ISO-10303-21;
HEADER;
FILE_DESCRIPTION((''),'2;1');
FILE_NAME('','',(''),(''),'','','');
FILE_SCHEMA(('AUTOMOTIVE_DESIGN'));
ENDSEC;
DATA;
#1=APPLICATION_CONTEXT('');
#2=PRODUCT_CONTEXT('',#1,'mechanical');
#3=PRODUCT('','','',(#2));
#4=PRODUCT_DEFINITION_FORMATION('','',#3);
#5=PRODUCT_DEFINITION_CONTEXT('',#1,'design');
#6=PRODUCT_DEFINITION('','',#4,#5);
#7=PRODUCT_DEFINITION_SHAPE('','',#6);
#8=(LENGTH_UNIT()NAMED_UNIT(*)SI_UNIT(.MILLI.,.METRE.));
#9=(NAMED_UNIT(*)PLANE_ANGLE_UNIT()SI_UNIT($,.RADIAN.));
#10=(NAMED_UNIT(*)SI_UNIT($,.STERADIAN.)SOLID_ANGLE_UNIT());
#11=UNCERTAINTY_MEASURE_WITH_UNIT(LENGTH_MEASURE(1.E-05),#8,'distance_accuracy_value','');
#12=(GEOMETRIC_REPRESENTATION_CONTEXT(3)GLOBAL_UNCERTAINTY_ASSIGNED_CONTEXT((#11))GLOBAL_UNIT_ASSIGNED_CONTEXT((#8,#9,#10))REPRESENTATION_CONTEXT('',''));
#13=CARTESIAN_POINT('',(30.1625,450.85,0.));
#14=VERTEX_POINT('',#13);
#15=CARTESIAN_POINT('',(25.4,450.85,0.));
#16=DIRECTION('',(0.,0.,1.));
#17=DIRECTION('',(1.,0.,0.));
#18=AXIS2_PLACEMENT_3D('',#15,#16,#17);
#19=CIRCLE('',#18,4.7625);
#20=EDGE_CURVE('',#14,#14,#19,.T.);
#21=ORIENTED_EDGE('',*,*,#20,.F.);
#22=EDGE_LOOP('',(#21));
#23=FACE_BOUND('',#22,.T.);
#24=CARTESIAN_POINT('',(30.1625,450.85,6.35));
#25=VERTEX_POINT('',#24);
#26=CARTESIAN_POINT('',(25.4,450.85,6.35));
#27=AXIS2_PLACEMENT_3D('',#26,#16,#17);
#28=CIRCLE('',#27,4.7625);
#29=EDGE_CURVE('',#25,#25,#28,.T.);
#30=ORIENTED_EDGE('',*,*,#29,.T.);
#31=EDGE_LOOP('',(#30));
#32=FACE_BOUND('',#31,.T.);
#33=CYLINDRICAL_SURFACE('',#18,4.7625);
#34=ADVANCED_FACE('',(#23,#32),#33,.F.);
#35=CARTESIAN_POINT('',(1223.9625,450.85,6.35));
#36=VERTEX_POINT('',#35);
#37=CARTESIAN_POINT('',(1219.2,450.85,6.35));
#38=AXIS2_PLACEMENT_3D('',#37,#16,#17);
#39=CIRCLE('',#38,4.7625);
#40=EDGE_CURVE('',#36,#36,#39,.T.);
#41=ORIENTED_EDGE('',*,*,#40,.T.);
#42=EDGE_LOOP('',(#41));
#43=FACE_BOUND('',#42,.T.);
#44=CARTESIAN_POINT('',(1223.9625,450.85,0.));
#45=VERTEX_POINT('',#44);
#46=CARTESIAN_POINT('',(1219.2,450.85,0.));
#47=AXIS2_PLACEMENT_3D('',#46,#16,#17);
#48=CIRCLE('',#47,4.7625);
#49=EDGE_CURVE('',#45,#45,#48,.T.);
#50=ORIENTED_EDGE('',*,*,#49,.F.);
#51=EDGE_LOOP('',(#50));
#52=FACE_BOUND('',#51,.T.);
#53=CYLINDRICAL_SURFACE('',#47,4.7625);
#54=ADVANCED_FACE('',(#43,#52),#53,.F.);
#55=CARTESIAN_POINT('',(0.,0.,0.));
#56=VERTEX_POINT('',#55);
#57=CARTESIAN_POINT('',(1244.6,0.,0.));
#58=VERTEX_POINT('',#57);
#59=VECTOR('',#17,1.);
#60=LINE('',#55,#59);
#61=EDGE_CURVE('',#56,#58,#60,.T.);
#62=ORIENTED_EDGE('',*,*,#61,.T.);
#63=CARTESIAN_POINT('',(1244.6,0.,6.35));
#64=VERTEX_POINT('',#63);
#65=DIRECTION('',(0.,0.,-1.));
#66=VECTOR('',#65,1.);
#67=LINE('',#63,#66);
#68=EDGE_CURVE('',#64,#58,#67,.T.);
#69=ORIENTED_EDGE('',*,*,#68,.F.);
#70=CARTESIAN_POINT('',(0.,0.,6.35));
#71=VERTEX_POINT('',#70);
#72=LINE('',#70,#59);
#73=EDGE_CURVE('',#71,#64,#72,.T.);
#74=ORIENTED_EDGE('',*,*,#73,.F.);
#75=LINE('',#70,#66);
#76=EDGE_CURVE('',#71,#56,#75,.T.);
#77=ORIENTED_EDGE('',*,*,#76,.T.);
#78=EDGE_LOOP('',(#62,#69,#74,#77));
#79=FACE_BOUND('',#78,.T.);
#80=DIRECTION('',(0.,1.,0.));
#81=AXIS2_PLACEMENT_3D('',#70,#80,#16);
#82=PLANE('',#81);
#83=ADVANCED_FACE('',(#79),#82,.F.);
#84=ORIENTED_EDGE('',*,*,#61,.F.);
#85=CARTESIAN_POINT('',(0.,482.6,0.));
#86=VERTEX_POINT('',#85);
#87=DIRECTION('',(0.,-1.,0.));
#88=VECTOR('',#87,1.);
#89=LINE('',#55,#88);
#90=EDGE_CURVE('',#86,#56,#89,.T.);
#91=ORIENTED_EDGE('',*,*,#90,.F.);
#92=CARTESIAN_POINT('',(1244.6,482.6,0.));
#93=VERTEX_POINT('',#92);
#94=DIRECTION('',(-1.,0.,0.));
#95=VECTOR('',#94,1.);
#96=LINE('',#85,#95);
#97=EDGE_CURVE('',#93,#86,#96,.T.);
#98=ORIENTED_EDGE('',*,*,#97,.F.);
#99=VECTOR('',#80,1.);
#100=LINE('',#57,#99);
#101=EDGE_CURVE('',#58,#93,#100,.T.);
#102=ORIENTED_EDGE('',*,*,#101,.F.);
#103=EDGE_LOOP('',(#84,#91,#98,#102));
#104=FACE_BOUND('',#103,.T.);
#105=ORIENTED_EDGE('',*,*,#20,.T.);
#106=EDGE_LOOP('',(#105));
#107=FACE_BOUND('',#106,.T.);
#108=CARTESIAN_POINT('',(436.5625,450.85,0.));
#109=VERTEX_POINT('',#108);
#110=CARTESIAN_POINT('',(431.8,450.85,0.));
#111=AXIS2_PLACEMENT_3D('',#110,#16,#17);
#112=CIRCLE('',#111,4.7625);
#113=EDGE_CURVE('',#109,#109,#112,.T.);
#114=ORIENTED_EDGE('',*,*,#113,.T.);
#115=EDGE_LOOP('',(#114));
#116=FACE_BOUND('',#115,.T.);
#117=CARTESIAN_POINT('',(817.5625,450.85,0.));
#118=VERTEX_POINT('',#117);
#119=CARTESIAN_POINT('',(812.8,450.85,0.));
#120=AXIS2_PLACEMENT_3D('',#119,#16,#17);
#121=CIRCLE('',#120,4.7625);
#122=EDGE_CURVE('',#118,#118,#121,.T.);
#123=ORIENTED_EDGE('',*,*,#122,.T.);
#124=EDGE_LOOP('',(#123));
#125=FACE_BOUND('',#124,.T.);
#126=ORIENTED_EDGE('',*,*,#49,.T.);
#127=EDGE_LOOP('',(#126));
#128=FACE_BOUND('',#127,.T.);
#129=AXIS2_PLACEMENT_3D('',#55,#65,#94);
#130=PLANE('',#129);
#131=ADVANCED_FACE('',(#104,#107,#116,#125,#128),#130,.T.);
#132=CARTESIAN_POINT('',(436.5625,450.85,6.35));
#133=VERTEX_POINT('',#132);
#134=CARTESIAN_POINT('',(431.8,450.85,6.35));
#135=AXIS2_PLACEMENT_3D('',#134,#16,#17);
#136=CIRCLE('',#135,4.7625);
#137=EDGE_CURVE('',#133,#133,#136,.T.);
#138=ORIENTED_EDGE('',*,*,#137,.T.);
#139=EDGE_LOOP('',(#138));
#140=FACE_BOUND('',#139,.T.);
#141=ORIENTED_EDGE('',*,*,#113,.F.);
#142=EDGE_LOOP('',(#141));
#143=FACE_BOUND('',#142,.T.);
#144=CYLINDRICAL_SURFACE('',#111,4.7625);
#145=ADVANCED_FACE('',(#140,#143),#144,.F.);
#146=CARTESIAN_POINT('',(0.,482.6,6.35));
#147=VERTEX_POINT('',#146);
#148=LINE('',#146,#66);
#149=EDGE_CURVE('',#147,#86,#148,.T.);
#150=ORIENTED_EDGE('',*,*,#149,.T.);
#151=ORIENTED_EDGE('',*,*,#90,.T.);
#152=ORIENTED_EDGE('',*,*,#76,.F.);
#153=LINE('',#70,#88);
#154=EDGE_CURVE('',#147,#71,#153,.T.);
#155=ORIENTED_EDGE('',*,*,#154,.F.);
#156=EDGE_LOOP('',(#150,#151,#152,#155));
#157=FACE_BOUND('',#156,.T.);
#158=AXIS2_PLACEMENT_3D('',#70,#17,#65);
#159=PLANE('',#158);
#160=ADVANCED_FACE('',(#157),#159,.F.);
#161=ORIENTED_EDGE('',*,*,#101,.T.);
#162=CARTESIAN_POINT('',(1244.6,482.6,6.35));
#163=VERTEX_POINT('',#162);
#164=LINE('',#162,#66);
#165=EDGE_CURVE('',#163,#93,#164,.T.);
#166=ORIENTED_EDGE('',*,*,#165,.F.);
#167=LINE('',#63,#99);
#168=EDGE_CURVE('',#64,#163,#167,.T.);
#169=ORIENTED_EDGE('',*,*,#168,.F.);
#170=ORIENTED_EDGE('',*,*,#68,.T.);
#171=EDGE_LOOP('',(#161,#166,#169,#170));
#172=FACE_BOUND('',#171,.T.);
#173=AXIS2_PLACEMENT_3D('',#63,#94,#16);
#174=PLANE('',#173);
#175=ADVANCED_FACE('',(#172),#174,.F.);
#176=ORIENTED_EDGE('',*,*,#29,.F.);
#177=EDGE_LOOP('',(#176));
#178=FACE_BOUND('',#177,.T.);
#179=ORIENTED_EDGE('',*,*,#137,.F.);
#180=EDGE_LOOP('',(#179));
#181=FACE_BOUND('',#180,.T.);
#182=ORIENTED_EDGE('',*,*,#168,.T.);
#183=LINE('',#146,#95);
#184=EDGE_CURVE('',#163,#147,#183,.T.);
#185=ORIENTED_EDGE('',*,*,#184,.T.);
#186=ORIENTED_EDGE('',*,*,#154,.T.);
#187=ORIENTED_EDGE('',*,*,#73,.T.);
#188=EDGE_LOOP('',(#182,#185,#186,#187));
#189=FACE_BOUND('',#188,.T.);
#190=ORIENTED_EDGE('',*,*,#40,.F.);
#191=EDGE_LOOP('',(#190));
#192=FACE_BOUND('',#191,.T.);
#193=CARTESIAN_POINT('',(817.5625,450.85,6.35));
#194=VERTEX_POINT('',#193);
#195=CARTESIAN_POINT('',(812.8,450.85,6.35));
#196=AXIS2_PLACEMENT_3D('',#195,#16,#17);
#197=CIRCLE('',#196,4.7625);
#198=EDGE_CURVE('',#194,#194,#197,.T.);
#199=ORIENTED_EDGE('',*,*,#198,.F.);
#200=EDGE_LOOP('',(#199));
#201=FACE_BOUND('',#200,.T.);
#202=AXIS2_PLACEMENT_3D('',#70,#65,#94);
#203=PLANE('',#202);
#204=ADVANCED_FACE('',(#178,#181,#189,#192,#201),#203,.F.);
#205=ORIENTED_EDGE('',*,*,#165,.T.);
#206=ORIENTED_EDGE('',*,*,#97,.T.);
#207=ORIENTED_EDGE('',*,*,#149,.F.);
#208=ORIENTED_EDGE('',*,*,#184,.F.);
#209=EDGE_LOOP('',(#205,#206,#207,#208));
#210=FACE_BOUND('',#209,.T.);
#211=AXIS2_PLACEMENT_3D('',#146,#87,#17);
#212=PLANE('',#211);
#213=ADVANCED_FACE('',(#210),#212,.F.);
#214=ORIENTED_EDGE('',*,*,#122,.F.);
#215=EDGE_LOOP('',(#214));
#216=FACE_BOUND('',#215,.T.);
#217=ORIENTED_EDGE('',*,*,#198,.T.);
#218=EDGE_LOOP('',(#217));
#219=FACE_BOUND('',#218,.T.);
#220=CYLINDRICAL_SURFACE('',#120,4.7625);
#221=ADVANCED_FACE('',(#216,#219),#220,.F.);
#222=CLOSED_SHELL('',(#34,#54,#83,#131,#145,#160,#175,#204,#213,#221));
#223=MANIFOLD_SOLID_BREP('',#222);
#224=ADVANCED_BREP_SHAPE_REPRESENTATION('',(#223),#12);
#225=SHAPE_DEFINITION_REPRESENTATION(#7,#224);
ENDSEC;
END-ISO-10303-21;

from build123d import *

# Parameters (mm, degrees)
SKETCH1_W           = 1244.6
SKETCH1_H           = 482.6
BOSS_EXTRUDE1_DEPTH = 6.35
SKETCH2_R           = 4.7625
CUT_EXTRUDE1_DEPTH  = 7.35


with BuildPart() as part:
    # Sketch1 → Boss-Extrude1 (new body)
    with BuildSketch(Plane.XY):
        with Locations((622.3, 241.3)):
            Rectangle(SKETCH1_W, SKETCH1_H)
    extrude(amount=BOSS_EXTRUDE1_DEPTH)

    # Sketch2 → Cut-Extrude1 (cut, through all)
    with BuildSketch(Plane.XY.offset(6.35)):
        with Locations((25.4, 450.85)):
            Circle(SKETCH2_R)
        with Locations((431.8, 450.85)):
            Circle(SKETCH2_R)
        with Locations((812.8, 450.85)):
            Circle(SKETCH2_R)
        with Locations((1219.2, 450.85)):
            Circle(SKETCH2_R)
    extrude(amount=-CUT_EXTRUDE1_DEPTH, mode=Mode.SUBTRACT)


solid = part.part
